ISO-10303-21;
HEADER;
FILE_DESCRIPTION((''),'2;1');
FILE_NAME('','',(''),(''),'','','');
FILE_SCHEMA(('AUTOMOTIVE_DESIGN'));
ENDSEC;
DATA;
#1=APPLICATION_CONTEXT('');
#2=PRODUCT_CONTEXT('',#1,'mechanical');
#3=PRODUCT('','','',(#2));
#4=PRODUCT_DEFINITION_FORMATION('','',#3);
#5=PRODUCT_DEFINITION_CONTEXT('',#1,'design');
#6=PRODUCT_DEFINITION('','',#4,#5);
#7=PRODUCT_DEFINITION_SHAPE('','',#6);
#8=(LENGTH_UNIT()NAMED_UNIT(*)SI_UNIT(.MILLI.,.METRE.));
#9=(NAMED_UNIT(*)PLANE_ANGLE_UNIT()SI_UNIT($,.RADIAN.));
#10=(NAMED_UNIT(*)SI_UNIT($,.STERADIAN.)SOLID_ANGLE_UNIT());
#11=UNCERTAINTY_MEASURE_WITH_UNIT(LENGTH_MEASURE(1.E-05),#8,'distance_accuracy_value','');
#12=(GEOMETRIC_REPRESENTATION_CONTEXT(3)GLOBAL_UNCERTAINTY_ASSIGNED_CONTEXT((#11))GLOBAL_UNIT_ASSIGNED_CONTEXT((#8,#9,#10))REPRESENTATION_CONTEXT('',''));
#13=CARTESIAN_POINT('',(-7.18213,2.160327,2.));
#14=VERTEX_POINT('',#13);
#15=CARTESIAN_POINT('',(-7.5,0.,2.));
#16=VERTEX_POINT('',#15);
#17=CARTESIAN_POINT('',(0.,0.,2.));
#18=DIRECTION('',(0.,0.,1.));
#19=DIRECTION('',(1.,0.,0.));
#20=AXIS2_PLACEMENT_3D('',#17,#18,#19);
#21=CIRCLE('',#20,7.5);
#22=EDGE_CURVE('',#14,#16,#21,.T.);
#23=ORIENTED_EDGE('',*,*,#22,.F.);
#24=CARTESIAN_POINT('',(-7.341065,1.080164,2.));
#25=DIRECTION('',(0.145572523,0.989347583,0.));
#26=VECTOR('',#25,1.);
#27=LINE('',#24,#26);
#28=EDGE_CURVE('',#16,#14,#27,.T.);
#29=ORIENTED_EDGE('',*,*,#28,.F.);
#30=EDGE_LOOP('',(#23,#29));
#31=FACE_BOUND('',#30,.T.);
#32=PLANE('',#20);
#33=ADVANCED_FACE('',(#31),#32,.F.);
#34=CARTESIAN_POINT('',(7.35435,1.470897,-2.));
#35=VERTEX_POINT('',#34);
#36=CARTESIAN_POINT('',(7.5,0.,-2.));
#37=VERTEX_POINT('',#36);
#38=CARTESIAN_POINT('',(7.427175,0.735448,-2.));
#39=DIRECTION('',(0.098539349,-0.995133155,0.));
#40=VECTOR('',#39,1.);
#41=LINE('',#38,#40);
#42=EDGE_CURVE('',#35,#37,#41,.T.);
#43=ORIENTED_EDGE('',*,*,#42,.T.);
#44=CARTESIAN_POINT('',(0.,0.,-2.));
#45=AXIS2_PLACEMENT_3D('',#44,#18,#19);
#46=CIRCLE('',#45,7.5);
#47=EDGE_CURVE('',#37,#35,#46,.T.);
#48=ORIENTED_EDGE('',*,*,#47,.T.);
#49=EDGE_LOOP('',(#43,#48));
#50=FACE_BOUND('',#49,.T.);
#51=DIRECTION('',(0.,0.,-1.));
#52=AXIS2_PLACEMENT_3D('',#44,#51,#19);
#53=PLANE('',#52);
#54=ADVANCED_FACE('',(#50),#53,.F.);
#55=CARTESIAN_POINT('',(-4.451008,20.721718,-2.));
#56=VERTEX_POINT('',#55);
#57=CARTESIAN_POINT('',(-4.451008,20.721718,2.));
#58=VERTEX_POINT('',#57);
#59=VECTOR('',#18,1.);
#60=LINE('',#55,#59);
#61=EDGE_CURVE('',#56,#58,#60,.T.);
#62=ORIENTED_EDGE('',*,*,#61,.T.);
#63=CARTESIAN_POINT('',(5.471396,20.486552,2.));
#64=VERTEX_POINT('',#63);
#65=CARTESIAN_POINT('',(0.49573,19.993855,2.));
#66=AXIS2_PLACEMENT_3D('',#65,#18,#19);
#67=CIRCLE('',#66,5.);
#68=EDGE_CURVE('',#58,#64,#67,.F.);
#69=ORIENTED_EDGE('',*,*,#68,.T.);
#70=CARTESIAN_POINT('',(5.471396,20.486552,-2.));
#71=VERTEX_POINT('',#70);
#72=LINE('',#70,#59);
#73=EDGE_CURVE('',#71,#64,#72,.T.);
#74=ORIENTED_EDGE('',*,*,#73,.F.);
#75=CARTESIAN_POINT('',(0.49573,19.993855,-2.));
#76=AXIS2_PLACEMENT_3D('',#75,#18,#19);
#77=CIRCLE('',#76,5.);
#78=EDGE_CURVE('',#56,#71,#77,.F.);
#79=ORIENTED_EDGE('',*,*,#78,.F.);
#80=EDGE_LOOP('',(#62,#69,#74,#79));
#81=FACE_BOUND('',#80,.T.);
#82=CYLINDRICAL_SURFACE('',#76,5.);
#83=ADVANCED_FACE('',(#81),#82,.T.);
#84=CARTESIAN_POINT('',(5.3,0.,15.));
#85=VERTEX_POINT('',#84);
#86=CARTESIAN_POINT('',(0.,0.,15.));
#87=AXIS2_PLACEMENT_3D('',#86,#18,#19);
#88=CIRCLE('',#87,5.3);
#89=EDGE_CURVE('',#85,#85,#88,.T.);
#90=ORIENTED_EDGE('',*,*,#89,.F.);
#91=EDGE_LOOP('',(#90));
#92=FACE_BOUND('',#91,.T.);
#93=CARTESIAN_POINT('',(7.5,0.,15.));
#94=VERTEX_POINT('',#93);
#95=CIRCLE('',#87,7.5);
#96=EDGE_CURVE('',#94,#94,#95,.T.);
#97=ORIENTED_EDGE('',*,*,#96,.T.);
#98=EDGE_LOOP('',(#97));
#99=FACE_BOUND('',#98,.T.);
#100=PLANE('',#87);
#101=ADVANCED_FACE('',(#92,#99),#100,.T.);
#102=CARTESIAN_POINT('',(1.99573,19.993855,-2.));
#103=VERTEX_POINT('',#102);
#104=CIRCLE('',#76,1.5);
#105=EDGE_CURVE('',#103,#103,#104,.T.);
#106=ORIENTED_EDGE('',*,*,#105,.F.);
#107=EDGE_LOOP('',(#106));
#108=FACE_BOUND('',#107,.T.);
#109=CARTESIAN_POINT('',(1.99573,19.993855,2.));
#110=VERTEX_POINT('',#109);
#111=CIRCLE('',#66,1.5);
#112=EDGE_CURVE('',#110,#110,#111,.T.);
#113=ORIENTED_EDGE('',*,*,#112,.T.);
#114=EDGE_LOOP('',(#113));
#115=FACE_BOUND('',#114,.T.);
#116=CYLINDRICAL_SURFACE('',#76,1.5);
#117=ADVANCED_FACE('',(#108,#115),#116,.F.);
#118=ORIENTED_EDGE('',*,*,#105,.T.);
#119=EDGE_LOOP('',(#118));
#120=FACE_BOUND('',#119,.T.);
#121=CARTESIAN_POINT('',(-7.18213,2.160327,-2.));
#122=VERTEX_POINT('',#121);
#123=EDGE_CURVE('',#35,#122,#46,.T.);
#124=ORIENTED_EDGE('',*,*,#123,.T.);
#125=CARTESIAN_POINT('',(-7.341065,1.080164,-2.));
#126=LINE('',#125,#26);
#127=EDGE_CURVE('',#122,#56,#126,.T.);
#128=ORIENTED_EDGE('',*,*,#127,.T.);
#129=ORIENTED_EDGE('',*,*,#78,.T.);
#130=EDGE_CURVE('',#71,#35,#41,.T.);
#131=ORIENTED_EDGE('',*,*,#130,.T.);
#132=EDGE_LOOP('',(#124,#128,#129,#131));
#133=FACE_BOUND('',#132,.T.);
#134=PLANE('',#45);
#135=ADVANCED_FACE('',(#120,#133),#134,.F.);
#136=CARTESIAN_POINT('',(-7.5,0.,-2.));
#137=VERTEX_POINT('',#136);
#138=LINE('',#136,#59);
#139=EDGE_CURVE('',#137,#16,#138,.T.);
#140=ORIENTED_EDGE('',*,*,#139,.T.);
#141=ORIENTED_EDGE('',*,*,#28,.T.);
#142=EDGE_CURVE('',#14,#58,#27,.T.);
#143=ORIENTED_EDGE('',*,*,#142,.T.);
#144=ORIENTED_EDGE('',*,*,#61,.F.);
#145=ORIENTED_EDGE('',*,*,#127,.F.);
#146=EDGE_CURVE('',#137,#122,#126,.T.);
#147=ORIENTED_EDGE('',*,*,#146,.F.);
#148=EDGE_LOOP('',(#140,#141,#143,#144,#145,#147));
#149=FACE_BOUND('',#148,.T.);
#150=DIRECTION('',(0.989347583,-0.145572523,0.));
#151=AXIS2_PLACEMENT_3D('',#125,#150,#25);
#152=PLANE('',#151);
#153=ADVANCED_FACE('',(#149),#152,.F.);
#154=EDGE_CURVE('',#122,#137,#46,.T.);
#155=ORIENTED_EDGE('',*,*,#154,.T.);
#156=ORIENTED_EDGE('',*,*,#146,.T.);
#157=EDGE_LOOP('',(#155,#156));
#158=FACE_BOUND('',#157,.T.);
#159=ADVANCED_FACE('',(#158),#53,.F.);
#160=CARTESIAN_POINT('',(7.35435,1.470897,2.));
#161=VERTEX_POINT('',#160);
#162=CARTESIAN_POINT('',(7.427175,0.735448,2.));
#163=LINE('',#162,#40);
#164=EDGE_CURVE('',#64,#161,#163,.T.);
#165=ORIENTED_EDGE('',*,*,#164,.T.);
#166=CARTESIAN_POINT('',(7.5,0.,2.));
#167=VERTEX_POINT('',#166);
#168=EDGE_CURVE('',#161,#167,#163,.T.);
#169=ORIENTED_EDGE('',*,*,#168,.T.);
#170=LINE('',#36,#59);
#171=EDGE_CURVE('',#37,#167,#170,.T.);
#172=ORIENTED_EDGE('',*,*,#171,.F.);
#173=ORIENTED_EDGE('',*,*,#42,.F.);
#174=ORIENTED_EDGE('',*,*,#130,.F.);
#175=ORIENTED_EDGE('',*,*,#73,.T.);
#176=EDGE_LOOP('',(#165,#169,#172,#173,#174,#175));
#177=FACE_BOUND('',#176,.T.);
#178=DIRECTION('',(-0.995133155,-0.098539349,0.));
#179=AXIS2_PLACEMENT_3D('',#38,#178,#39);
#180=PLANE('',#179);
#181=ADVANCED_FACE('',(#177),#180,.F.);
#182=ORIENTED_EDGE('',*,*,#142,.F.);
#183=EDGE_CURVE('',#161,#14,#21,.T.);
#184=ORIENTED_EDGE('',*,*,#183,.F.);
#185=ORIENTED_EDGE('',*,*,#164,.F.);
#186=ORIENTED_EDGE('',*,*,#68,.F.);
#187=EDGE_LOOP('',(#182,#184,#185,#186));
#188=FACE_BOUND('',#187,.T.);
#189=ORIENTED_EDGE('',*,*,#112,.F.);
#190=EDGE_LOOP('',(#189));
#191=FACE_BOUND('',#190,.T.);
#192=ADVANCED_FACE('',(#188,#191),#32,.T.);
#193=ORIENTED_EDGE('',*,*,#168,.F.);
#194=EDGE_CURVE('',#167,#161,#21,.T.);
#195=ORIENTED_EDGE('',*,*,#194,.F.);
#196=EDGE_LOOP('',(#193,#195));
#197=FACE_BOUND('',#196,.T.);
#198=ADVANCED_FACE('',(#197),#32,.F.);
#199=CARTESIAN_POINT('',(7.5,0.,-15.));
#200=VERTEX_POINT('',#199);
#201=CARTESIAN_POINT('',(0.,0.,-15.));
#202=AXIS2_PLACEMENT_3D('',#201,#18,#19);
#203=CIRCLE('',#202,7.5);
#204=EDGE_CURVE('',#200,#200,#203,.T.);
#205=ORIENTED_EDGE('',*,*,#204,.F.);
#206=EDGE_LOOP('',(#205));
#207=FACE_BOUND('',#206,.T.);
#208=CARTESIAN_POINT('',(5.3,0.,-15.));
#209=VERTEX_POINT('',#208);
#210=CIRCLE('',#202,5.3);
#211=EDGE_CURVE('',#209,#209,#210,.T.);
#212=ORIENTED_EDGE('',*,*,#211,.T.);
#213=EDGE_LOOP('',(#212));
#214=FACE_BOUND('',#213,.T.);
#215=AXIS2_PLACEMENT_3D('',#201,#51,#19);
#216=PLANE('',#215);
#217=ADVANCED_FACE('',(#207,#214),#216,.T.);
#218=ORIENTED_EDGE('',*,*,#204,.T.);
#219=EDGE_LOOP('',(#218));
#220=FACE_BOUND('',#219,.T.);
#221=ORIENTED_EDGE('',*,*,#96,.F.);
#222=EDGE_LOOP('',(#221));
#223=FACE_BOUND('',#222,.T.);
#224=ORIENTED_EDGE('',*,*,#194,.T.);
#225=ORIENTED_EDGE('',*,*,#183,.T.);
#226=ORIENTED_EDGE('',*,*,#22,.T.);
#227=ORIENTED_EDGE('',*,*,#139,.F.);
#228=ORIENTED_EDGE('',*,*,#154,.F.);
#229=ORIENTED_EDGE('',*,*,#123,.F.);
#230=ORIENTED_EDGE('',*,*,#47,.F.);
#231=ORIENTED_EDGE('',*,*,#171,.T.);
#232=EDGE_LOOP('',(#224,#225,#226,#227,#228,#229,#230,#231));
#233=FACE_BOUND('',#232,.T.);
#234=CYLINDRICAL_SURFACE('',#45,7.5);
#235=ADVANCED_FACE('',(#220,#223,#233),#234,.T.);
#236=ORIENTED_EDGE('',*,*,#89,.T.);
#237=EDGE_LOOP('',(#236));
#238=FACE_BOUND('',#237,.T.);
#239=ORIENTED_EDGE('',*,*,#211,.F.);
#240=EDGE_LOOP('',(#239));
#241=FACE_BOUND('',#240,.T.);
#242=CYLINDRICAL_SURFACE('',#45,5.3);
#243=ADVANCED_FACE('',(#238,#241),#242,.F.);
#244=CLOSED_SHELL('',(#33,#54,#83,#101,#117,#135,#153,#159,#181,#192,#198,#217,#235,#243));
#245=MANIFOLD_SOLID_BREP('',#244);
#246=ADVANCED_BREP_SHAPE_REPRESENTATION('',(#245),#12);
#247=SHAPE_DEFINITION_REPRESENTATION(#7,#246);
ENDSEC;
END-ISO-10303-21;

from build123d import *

# Parameters (mm, degrees)
BOSS_EXTRU_2_DEPTH      = 2
BOSS_EXTRU_2_DEPTH_BACK = 2
ESQUISSE1_R             = 5.3
ESQUISSE1_R_2           = 1.5
ESQUISSE2_R             = 7.5
ESQUISSE2_R_2           = 5.3
BOSS_EXTRU_3_DEPTH      = 13


with BuildPart() as part:
    # Esquisse1 → Boss.-Extru.2 (new, two sides: drawn at the far end of the back side and taken through both)
    with BuildSketch(Plane.XY.offset(-BOSS_EXTRU_2_DEPTH_BACK)):
        with BuildLine():
            ThreePointArc((-7.5, 0), (0, -7.5), (7.5, 0))
            Line((7.5, 0), (5.471395589, 20.4865521))
            ThreePointArc((5.471395589, 20.4865521), (0.614199015, 24.992451663), (-4.451008104, 20.721717969))
            Line((-4.451008104, 20.721717969), (-7.5, 0))
        make_face()
        Circle(ESQUISSE1_R, mode=Mode.SUBTRACT)
        with Locations((0.495729813, 19.993855355)):
            Circle(ESQUISSE1_R_2, mode=Mode.SUBTRACT)
    extrude(amount=BOSS_EXTRU_2_DEPTH + BOSS_EXTRU_2_DEPTH_BACK)

    # Esquisse2 → Boss.-Extru.3 (add)
    with BuildSketch(Plane.XY.offset(2)):
        Circle(ESQUISSE2_R)
        Circle(ESQUISSE2_R_2, mode=Mode.SUBTRACT)
    boss_extru_3 = extrude(amount=BOSS_EXTRU_3_DEPTH)

    # Symétrie1: Boss.-Extru.3 across plane
    add(boss_extru_3.mirror(Plane.XY))


solid = part.part
